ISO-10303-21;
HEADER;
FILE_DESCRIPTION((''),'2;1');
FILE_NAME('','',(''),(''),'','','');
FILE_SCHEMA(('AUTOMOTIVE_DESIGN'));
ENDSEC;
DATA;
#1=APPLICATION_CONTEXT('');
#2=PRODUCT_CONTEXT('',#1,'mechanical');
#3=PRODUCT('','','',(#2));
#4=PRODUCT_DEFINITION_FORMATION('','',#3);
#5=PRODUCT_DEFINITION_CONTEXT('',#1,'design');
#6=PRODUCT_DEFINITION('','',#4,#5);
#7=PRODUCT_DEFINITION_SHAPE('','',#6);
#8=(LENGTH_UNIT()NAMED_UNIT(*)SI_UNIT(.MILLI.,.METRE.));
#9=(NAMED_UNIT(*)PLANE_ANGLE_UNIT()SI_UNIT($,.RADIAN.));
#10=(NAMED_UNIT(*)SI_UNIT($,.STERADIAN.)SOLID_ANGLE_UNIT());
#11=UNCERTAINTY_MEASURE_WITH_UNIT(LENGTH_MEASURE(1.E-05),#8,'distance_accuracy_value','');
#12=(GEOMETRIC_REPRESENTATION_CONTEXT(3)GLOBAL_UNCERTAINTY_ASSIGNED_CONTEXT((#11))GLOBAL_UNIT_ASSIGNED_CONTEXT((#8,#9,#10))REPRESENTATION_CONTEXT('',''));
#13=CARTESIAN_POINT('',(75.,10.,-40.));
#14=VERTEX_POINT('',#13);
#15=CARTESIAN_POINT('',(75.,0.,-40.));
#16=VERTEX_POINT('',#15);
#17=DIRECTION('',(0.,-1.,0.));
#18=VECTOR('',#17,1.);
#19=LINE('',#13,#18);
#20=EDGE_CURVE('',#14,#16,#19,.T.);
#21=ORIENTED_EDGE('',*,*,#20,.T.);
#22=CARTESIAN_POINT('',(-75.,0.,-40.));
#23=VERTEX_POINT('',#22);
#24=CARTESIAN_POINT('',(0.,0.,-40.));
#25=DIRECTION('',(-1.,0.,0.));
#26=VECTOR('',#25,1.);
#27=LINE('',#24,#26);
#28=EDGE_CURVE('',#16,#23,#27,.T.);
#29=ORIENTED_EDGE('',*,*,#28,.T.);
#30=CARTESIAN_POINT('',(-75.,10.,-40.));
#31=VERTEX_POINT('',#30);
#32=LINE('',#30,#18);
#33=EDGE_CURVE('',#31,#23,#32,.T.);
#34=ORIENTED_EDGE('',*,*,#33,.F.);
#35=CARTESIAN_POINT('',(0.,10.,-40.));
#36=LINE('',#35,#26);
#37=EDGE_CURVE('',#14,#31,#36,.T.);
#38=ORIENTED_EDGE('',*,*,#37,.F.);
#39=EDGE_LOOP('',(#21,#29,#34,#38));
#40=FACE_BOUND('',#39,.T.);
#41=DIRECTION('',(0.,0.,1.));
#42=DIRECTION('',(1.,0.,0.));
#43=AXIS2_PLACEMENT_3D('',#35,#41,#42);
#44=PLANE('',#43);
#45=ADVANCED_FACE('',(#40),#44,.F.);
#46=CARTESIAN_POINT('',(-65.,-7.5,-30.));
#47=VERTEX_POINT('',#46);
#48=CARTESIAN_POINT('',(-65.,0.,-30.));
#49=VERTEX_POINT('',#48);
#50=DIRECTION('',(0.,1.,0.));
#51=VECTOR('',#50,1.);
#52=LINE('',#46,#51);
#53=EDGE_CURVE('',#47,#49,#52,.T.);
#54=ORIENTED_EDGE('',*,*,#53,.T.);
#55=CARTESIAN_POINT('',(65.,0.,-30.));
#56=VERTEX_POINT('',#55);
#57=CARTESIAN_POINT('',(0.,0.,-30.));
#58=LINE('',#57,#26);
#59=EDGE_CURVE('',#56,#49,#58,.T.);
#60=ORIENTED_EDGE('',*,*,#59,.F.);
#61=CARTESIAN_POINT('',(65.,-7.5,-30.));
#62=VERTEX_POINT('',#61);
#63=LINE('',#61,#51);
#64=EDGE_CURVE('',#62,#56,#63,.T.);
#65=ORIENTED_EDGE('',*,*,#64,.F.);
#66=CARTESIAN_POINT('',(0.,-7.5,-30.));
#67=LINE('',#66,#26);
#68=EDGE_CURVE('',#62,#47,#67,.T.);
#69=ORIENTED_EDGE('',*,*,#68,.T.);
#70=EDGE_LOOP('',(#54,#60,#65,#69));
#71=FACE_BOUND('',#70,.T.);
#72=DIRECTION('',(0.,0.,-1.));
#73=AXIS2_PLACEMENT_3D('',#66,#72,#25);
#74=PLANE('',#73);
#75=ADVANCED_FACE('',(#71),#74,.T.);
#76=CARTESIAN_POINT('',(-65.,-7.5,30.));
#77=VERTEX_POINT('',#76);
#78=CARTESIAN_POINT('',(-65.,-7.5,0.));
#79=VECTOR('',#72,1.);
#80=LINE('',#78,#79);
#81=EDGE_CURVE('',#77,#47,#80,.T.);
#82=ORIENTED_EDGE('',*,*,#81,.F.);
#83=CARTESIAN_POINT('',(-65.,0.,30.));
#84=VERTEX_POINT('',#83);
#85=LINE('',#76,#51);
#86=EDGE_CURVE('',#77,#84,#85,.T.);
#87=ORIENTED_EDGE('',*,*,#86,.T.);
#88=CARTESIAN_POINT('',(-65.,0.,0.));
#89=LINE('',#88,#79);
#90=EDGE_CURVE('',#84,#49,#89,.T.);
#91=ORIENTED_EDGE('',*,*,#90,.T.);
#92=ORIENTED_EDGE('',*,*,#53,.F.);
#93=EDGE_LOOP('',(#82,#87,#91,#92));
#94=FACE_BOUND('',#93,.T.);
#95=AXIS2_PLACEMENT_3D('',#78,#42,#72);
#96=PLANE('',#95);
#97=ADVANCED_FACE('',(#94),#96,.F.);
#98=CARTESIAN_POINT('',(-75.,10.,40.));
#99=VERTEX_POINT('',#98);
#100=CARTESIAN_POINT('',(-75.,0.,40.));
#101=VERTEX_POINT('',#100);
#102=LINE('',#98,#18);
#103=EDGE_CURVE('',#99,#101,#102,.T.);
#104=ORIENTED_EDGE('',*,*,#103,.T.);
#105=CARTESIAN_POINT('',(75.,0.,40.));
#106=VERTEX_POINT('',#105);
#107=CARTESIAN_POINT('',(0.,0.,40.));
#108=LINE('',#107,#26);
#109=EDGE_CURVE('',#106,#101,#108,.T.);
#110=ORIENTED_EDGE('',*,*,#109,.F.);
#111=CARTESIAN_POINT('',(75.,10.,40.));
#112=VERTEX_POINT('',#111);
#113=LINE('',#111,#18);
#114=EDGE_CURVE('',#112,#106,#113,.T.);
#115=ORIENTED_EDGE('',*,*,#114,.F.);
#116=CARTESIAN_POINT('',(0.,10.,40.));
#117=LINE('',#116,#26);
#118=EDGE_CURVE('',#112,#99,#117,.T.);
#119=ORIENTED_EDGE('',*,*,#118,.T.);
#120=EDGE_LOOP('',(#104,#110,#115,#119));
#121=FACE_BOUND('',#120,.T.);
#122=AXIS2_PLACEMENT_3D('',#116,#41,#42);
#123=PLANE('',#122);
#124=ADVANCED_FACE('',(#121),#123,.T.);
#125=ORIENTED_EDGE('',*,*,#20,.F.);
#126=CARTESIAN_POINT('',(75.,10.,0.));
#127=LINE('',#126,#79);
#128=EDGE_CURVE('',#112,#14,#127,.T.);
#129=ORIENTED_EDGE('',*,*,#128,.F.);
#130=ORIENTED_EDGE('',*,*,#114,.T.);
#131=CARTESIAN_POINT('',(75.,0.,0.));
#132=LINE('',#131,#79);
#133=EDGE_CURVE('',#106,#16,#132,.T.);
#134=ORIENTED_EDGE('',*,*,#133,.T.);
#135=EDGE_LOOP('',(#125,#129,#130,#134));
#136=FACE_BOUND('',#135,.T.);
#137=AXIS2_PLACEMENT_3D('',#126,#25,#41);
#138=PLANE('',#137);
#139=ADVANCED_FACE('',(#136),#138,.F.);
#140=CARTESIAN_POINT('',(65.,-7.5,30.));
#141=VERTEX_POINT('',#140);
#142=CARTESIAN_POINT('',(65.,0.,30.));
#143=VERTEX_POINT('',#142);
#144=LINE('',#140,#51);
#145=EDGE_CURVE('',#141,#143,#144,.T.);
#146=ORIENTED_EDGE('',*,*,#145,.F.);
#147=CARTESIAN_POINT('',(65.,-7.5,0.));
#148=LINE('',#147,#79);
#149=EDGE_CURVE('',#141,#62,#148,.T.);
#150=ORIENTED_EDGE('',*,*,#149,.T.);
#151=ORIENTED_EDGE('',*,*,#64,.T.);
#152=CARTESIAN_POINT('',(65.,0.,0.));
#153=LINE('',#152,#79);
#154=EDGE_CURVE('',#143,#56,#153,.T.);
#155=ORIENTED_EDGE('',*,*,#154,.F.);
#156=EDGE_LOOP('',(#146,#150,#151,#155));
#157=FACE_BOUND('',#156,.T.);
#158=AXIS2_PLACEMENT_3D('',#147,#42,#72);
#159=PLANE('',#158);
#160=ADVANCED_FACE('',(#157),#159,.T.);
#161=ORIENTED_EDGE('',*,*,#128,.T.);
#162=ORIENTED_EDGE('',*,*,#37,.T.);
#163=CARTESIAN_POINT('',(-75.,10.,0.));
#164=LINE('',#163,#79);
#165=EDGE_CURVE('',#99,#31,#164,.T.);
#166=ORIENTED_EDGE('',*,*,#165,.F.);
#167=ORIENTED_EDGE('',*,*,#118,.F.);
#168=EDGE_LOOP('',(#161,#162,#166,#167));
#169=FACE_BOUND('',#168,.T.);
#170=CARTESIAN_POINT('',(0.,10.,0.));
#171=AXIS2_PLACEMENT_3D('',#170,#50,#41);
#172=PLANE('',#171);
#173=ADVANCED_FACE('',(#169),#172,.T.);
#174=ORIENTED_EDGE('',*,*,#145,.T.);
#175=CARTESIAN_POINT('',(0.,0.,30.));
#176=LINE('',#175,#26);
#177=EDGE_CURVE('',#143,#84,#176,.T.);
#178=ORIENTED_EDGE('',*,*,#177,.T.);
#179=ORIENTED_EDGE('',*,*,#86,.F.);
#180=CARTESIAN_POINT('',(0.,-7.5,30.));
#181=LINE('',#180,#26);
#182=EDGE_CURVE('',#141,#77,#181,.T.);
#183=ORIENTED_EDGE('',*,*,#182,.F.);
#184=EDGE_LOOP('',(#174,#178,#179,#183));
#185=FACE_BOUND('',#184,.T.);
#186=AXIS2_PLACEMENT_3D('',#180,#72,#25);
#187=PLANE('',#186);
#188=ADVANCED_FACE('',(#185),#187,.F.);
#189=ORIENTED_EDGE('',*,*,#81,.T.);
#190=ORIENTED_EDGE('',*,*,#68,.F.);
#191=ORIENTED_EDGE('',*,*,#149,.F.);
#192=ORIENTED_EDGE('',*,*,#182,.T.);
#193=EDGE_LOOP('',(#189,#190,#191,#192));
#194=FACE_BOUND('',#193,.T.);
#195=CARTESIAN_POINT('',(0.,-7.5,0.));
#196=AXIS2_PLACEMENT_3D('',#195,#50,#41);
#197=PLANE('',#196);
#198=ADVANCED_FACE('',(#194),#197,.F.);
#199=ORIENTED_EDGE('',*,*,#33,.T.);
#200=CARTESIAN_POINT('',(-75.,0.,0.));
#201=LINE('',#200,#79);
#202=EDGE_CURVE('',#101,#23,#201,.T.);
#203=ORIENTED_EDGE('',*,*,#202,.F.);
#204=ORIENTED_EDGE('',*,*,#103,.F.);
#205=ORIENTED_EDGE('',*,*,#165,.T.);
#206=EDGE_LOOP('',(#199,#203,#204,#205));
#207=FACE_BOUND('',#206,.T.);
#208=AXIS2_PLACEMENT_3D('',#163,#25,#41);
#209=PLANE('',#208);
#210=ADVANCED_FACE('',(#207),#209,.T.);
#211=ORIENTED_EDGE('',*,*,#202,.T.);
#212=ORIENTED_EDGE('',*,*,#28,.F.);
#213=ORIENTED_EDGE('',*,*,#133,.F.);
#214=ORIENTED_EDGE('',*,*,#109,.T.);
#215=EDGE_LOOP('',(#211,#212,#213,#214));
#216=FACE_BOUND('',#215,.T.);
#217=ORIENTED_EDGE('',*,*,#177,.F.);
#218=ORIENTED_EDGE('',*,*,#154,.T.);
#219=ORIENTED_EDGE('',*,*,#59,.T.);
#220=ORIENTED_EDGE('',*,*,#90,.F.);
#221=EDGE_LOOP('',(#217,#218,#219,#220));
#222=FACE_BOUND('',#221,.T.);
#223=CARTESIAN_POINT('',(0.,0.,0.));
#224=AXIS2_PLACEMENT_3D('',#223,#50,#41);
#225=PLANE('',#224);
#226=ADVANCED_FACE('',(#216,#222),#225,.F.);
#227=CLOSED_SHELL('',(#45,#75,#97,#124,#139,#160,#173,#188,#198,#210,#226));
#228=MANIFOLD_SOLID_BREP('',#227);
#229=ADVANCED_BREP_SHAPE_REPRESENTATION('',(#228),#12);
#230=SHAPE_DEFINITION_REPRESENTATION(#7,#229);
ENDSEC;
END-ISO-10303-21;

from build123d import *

# Parameters (mm, degrees)
CROQUIS1_W              = 130
CROQUIS1_H              = 60
SALIENTE_EXTRUIR1_DEPTH = 7.5
CROQUIS1_4_W            = 150
CROQUIS1_4_H            = 80
SALIENTE_EXTRUIR2_DEPTH = 10


with BuildPart() as part:
    # Croquis1 → Saliente-Extruir1 (new body)
    with BuildSketch(Plane(origin=(0, 0, 0), x_dir=(1, 0, 0), z_dir=(0, 1, 0))):
        Rectangle(CROQUIS1_W, CROQUIS1_H)
    extrude(amount=-SALIENTE_EXTRUIR1_DEPTH)

    # Croquis1<4> → Saliente-Extruir2 (add)
    with BuildSketch(Plane(origin=(0, 0, 0), x_dir=(1, 0, 0), z_dir=(0, 1, 0))):
        Rectangle(CROQUIS1_4_W, CROQUIS1_4_H)
    extrude(amount=SALIENTE_EXTRUIR2_DEPTH)


solid = part.part
